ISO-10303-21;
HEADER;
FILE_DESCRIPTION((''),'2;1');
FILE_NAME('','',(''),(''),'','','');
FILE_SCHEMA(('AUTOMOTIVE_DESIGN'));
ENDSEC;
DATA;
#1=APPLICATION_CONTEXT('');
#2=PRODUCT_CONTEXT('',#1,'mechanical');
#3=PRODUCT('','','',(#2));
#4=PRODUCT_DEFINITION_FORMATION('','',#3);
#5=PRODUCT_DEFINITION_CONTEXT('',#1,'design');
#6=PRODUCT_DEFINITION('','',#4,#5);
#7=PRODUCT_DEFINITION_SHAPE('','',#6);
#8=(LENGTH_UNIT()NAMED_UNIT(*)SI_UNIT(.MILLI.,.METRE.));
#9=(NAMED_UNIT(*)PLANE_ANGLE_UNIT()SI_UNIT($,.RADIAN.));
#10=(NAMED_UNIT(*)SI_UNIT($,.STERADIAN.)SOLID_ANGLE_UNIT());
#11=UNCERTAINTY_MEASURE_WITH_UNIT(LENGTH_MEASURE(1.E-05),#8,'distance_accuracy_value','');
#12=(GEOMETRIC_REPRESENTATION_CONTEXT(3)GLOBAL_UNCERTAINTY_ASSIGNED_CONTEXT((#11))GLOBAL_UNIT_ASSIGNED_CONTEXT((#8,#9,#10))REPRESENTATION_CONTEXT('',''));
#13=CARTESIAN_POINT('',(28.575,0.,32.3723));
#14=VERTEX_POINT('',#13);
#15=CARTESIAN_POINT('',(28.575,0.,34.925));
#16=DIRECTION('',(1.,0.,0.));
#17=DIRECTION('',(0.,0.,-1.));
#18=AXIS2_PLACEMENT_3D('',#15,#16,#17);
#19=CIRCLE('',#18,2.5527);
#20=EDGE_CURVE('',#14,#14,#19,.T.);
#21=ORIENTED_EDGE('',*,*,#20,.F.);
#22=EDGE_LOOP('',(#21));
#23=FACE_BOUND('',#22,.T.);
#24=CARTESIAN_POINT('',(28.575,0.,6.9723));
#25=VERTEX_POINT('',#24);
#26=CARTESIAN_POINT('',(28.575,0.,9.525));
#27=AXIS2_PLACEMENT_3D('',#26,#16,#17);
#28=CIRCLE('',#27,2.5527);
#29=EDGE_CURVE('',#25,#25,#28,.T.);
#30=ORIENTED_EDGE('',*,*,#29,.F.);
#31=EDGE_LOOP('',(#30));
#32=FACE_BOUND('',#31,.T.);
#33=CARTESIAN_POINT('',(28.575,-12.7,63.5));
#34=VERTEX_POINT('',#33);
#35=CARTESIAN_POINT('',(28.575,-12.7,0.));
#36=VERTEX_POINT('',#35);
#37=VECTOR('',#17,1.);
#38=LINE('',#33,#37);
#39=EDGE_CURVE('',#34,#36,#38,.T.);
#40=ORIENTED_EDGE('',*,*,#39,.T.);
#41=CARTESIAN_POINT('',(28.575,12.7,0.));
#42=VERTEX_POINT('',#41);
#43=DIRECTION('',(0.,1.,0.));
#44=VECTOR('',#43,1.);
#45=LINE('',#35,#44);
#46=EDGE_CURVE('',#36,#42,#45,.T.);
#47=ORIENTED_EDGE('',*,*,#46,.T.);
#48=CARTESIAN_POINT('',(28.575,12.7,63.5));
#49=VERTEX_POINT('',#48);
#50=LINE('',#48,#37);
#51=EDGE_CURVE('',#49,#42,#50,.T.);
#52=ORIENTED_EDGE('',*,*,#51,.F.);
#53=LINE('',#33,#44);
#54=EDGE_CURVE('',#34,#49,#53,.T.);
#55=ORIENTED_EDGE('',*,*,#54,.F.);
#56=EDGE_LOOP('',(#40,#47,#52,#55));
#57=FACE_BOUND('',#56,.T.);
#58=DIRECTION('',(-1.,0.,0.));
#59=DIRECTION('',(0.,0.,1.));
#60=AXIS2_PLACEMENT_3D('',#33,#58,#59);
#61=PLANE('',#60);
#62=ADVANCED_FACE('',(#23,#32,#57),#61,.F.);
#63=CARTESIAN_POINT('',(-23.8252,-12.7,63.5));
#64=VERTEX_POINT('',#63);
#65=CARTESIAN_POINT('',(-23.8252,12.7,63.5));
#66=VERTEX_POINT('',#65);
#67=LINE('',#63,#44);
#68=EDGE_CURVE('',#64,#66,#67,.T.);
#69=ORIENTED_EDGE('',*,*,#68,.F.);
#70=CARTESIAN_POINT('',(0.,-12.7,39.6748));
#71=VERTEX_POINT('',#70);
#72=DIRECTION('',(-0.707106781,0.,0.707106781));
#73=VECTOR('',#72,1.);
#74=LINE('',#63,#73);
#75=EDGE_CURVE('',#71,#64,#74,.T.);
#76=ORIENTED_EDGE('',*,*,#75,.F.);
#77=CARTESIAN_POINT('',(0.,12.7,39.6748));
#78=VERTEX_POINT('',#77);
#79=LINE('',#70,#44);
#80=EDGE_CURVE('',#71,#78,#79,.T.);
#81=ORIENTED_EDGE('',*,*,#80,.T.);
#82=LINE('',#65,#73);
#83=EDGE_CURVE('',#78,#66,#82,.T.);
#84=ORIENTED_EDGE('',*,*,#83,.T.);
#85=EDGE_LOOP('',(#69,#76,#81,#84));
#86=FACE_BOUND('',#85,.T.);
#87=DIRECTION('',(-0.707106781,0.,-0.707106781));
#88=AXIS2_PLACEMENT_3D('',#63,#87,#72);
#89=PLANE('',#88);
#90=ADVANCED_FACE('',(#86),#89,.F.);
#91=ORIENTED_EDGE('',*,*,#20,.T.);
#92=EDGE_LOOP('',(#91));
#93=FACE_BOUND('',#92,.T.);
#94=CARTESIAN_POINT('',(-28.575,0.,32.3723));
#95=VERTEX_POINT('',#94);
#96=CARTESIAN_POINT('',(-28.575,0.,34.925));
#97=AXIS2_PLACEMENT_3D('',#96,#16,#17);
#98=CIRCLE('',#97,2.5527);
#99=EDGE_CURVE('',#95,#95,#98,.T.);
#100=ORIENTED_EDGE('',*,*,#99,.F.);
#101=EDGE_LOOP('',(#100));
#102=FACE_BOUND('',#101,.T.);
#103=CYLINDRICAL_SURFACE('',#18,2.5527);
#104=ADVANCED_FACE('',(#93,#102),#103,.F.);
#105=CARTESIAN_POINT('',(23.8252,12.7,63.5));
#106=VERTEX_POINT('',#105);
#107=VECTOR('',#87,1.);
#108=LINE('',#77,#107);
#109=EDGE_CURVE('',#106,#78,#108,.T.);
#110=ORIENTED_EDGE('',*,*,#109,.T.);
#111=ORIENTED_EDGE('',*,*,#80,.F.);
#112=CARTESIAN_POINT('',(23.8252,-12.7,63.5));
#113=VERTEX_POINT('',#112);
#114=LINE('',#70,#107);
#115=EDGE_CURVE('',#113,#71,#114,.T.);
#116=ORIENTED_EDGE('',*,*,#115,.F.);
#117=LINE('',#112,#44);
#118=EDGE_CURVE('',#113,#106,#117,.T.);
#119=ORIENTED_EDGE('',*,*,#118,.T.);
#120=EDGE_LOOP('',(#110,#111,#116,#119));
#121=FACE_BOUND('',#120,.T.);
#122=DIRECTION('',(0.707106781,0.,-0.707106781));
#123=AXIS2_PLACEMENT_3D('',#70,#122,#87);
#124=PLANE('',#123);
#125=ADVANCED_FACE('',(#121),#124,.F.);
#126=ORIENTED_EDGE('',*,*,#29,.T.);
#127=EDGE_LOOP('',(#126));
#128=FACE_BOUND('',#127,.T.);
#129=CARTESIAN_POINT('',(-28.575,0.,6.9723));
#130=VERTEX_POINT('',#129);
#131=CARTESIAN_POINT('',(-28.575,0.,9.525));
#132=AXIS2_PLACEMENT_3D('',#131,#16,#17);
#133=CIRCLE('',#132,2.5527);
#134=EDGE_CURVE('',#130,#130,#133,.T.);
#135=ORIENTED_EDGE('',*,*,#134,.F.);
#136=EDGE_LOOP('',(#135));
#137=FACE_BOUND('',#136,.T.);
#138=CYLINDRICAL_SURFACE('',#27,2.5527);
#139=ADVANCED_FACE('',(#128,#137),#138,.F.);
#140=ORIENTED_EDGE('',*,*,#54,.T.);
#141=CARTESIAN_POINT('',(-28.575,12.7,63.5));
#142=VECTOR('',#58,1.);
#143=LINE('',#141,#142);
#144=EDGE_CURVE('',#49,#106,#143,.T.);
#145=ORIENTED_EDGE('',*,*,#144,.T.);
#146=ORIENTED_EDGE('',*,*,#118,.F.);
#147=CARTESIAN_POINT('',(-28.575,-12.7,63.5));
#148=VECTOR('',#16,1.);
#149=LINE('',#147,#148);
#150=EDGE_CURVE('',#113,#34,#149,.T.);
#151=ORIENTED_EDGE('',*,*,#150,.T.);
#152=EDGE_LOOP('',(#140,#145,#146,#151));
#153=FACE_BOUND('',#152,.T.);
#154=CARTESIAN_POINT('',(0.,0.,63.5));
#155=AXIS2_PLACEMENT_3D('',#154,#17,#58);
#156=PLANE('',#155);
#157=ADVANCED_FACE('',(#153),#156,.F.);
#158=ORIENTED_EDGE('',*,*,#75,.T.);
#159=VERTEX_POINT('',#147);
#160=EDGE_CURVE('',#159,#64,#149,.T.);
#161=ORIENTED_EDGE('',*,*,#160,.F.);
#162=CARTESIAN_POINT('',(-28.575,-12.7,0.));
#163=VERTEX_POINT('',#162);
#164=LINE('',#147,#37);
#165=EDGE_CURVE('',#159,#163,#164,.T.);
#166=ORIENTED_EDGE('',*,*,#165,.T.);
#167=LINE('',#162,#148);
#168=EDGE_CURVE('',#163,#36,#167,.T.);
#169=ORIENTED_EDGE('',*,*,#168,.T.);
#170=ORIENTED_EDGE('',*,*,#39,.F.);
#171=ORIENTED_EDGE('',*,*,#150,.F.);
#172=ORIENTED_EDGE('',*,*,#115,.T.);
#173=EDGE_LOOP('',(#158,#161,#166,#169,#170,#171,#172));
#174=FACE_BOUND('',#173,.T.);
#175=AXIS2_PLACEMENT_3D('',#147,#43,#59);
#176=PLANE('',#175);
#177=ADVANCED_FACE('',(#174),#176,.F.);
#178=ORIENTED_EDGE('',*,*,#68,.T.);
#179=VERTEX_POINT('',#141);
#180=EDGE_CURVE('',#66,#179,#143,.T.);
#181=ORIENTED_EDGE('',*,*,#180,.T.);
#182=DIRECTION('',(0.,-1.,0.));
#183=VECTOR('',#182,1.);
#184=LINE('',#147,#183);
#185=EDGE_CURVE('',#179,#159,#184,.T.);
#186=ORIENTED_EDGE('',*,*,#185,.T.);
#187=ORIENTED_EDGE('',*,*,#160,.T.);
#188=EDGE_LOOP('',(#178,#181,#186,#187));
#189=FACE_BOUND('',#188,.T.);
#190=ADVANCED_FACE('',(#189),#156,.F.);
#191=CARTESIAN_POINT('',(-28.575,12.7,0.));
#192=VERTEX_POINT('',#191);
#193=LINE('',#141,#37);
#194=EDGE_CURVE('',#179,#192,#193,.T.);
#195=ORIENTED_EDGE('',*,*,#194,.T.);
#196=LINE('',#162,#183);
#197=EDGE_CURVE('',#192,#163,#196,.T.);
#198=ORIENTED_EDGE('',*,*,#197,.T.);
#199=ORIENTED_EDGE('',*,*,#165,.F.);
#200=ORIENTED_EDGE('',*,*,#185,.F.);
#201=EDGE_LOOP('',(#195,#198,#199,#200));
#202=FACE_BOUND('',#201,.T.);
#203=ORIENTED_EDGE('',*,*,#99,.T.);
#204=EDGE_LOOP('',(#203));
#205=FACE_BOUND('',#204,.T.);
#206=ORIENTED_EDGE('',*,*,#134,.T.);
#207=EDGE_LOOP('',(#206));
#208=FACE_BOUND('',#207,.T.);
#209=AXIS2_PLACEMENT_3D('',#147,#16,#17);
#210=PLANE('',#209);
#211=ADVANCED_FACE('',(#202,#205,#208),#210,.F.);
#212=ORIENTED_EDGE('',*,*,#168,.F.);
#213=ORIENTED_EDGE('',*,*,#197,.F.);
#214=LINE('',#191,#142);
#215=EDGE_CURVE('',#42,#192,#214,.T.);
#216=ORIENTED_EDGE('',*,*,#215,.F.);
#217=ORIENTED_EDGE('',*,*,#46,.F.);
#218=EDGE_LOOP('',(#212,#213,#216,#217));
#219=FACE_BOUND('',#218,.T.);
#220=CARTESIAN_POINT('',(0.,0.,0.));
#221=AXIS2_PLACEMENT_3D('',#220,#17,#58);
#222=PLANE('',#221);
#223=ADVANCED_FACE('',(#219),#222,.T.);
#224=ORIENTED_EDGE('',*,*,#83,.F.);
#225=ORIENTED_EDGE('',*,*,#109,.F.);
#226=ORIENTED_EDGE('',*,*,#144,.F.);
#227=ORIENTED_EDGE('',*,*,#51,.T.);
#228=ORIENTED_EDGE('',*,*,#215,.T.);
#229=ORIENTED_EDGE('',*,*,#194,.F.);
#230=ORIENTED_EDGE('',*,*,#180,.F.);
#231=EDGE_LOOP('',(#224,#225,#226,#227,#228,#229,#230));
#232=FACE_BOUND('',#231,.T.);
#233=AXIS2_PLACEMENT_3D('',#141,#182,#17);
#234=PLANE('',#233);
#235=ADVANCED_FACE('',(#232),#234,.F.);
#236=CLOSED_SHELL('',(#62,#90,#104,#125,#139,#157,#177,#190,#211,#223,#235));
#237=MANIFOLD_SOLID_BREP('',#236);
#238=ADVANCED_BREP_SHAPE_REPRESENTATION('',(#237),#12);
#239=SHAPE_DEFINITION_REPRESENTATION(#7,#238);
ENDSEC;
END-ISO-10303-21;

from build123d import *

# Parameters (mm, degrees)
SKETCH1_W               = 57.15
SKETCH1_H               = 25.4
BOSS_EXTRUDE1_DEPTH     = 63.5
F_1_4_20_TAPPED_HOLE1_D = 5.1054
CUT_EXTRUDE1_DEPTH      = 75.121121315


with BuildPart() as part:
    # Sketch1 → Boss-Extrude1 (new body)
    with BuildSketch(Plane.XY):
        Rectangle(SKETCH1_W, SKETCH1_H)
    extrude(amount=BOSS_EXTRUDE1_DEPTH)

    # 1/4-20 Tapped Hole1 (through all)
    with Locations(Plane(origin=(28.575, 0, 0), x_dir=(0, 0, -1), z_dir=(1, 0, 0))):
        with Locations((-34.925, 0), (-9.525, 0)):
            Hole(F_1_4_20_TAPPED_HOLE1_D / 2)

    # Sketch5 → Cut-Extrude1 (cut, through all)
    with BuildSketch(Plane(origin=(0, 12.7, 0), x_dir=(1, 0, 0), z_dir=(0, 1, 0))):
        Polygon((-23.8252, -63.5), (0, -39.6748), (23.8252, -63.5), align=None)
    extrude(amount=-CUT_EXTRUDE1_DEPTH, mode=Mode.SUBTRACT)


solid = part.part
